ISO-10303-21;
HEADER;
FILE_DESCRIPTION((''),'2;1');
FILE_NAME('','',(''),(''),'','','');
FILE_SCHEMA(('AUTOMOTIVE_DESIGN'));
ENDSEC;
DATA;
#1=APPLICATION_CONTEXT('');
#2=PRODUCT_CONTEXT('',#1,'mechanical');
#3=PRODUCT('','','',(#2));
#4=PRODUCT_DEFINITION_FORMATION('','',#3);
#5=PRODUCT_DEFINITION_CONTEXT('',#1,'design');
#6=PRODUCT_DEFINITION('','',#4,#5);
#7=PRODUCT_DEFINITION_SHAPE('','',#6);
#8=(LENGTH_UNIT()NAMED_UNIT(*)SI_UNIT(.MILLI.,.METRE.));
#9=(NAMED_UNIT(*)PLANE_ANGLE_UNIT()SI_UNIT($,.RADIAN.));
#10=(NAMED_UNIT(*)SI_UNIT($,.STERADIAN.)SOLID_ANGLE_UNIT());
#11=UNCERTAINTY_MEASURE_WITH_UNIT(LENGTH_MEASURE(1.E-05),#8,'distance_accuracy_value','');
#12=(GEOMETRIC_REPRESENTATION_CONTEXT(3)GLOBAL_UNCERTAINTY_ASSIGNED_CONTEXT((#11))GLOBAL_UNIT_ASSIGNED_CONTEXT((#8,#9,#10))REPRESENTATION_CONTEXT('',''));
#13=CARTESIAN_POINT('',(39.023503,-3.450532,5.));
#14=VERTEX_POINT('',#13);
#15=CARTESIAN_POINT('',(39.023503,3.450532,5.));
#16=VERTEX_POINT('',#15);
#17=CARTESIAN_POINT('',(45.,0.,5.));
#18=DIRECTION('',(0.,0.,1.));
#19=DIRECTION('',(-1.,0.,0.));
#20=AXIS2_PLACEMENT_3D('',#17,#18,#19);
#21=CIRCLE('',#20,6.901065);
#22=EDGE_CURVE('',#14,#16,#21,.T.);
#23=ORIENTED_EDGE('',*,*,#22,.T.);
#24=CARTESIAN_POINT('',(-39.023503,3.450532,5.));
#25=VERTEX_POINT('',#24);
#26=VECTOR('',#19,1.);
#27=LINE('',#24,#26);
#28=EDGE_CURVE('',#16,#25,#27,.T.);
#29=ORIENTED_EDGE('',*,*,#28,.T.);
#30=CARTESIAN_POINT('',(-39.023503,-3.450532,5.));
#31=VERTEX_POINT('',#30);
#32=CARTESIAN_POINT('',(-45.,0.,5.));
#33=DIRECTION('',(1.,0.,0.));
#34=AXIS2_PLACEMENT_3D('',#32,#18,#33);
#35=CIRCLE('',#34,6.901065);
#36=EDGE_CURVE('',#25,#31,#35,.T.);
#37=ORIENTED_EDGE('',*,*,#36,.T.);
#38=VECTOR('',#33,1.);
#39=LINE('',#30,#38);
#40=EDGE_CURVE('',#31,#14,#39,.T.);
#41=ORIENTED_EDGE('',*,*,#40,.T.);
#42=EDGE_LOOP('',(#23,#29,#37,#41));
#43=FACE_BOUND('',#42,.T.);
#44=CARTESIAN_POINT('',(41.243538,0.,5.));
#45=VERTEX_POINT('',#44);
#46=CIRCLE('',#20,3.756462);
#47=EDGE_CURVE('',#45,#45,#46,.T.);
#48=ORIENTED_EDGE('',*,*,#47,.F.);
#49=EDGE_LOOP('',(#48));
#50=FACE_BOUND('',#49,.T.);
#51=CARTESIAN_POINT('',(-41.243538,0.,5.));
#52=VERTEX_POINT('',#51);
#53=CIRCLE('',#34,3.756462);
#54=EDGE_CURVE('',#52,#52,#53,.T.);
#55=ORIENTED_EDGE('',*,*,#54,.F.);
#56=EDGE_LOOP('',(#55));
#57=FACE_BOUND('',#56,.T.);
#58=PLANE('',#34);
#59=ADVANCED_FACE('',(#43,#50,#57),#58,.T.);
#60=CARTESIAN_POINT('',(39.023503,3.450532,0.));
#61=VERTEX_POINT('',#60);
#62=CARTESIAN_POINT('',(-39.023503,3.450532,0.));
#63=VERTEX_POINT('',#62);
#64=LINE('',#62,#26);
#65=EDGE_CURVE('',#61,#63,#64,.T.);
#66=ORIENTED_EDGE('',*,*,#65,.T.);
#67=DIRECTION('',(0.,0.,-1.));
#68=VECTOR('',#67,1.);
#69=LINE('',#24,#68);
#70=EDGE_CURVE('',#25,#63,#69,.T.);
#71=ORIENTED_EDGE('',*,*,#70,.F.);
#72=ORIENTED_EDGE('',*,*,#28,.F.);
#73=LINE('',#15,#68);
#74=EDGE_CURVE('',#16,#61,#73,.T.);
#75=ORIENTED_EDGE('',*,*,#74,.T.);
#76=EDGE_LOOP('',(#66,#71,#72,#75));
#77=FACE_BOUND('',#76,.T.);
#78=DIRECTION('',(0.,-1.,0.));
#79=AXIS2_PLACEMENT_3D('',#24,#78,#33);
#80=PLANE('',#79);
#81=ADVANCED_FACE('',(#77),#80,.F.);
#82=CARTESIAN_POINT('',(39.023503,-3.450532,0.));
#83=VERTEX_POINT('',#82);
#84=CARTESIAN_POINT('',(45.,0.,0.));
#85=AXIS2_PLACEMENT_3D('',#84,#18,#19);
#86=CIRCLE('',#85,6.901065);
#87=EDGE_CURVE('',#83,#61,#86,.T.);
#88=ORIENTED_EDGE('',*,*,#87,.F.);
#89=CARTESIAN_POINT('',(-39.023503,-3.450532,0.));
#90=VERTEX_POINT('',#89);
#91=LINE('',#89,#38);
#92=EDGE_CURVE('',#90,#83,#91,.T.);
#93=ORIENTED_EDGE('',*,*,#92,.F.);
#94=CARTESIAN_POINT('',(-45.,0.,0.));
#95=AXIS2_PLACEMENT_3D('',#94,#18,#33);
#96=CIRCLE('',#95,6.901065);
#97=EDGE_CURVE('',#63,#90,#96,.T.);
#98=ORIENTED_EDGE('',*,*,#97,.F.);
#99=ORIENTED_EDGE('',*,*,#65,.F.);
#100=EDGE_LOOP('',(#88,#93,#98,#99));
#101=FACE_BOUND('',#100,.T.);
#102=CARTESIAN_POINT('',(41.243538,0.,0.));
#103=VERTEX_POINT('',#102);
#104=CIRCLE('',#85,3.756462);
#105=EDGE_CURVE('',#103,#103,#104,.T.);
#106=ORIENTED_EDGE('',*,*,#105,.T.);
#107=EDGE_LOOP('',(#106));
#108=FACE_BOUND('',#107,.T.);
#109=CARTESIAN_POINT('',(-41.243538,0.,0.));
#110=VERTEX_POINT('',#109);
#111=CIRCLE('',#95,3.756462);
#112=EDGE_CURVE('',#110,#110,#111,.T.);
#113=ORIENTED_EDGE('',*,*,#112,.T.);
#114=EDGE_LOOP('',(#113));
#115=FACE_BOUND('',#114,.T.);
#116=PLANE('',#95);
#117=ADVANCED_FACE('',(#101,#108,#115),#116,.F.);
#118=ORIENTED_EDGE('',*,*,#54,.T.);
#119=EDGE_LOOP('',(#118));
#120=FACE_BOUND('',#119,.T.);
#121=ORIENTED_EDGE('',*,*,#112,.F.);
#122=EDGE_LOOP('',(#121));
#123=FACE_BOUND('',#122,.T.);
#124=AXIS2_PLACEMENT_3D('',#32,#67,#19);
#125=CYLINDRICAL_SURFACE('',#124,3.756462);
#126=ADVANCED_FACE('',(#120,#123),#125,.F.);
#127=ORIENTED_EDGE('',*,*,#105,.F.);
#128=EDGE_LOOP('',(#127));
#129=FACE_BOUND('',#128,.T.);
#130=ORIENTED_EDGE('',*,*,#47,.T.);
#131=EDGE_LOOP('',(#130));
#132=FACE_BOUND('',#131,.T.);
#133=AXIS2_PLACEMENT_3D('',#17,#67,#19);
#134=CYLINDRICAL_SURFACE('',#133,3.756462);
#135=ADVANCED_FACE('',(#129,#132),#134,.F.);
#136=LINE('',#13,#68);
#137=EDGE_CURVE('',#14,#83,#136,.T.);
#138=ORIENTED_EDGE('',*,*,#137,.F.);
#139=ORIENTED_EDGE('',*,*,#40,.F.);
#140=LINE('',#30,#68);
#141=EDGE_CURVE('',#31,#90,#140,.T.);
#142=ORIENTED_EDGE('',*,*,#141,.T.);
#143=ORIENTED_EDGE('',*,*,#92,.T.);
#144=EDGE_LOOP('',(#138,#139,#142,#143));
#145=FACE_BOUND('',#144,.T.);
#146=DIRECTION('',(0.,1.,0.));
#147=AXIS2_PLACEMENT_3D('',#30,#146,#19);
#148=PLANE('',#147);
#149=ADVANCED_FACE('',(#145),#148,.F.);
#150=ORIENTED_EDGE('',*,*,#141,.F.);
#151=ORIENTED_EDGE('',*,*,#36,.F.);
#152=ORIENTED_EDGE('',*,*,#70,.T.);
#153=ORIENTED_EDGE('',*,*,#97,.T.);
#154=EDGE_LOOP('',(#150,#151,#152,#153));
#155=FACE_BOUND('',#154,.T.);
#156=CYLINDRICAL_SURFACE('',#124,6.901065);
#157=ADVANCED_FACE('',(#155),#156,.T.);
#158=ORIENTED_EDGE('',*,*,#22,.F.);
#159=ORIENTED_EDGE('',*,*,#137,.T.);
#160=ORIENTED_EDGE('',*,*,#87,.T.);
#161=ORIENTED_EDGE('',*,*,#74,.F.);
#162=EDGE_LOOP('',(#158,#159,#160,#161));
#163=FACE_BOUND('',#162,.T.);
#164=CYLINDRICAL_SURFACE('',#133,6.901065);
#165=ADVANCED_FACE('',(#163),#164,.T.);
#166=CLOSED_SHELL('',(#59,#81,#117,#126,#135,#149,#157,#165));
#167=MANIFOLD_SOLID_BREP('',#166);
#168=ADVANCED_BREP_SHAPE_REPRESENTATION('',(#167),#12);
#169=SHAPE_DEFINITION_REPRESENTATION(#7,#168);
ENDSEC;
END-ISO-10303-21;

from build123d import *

# Parameters (mm, degrees)
SKETCH1_R           = 3.756461981
BOSS_EXTRUDE1_DEPTH = 5


with BuildPart() as part:
    # Sketch1 → Boss-Extrude1 (new body)
    with BuildSketch(Plane.XY):
        with BuildLine():
            Line((-39.023502664, 3.450532346), (39.023502664, 3.450532346))
            ThreePointArc((39.023502664, 3.450532346), (51.901064691, 0), (39.023502664, -3.450532346))
            Line((39.023502664, -3.450532346), (-39.023502664, -3.450532346))
            ThreePointArc((-39.023502664, -3.450532346), (-51.901064691, 0), (-39.023502664, 3.450532346))
        make_face()
        with Locations((-45, 0)):
            Circle(SKETCH1_R, mode=Mode.SUBTRACT)
        with Locations((45, 0)):
            Circle(SKETCH1_R, mode=Mode.SUBTRACT)
    extrude(amount=BOSS_EXTRUDE1_DEPTH)


solid = part.part
